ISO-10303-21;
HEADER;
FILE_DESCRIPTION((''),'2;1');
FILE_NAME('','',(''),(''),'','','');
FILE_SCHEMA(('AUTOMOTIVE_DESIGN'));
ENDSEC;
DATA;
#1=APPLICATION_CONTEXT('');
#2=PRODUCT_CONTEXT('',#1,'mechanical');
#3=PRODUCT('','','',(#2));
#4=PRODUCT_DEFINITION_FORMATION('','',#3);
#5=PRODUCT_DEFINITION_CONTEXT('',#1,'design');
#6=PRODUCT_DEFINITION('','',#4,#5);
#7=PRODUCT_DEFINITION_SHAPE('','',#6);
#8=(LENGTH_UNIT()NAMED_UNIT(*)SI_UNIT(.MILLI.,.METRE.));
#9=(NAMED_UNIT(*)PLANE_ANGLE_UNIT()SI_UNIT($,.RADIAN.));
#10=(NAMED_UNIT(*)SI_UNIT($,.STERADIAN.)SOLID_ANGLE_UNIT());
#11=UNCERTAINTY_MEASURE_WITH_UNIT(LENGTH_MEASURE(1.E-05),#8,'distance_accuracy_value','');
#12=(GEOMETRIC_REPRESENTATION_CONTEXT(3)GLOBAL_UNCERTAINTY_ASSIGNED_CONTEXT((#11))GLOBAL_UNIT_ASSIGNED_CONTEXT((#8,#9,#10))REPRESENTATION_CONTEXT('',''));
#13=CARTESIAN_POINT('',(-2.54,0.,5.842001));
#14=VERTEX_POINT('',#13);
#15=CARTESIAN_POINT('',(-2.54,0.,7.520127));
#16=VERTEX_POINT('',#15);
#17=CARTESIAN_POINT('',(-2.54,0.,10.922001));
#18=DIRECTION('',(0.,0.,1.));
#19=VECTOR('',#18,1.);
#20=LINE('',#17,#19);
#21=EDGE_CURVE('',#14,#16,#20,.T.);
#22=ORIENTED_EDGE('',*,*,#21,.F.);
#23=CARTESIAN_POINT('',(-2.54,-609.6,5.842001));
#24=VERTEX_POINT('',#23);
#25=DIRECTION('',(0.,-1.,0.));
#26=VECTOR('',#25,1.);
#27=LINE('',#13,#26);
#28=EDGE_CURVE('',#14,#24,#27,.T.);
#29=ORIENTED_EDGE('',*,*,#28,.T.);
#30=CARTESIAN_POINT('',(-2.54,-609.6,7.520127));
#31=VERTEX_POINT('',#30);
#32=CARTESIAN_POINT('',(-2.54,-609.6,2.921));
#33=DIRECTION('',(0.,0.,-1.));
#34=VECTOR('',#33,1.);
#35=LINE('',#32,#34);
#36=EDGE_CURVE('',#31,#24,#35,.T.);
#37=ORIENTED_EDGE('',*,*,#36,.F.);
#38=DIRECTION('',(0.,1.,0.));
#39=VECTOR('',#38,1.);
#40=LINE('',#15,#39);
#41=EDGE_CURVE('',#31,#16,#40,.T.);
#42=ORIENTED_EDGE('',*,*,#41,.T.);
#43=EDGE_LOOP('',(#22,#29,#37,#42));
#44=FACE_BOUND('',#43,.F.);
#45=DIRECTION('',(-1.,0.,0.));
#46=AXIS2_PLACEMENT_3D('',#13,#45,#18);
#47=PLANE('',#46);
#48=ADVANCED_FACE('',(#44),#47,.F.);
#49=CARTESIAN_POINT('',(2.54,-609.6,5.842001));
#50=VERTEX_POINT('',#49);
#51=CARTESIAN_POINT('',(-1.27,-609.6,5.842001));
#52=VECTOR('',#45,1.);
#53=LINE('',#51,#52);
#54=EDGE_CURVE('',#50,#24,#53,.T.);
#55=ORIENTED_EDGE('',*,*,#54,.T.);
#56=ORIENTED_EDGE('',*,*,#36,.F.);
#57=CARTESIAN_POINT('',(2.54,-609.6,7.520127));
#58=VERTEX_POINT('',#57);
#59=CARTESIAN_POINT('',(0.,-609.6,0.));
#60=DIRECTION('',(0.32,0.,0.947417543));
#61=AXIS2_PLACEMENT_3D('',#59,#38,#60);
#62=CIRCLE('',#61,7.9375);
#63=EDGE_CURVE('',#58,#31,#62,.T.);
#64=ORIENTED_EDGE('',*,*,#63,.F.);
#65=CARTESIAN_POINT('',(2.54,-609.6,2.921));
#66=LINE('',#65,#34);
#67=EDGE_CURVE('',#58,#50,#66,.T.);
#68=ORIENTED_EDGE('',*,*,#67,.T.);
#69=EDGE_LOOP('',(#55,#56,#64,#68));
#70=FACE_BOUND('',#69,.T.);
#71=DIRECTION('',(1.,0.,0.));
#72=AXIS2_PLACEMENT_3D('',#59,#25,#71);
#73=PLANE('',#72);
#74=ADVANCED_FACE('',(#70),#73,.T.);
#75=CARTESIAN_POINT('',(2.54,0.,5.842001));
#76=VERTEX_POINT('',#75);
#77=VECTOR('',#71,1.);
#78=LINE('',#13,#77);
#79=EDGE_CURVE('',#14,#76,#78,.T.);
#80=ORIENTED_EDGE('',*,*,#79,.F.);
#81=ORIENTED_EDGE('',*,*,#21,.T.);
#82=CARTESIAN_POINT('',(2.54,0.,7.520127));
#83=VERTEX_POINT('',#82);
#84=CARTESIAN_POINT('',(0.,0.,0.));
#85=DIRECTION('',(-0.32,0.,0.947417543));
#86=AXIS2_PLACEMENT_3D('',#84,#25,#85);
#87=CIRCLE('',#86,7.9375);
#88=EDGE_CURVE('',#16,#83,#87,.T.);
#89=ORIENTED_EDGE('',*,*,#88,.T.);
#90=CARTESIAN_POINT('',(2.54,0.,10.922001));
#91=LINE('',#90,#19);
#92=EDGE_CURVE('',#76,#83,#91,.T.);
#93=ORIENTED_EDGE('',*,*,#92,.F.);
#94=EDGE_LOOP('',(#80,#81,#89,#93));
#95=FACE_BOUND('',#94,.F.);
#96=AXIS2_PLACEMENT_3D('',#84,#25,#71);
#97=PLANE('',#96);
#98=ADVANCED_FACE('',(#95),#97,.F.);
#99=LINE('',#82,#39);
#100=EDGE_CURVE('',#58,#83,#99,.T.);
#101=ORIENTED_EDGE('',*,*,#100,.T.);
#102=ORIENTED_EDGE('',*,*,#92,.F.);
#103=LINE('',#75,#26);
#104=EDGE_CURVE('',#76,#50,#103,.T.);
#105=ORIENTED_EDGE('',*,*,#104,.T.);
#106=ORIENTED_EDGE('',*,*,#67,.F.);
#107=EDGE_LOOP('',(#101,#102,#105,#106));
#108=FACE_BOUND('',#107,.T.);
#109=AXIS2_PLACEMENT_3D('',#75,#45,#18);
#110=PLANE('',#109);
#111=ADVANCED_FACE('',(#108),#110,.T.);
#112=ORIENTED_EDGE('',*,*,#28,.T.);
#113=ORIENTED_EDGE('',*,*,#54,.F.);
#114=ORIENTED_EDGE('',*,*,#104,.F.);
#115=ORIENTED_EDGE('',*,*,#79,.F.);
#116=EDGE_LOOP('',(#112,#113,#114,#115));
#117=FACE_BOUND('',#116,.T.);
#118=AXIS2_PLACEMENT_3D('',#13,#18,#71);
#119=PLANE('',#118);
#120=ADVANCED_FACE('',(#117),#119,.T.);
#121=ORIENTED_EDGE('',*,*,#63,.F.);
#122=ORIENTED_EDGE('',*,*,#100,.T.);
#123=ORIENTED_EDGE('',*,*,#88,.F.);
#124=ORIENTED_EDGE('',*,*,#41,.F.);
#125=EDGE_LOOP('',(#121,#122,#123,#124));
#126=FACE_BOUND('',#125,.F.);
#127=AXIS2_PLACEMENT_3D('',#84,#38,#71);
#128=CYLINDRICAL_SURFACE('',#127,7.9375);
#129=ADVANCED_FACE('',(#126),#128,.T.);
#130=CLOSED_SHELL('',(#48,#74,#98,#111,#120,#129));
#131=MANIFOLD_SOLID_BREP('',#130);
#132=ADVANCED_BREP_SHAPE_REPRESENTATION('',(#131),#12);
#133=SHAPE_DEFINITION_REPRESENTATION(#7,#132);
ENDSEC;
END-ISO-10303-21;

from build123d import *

# Parameters (mm, degrees)
F0_R     = 7.9375
F1_DEPTH = 609.6
F2_W     = 2.54
F2_H     = 10.16
F3_DEPTH = 711.2


with BuildPart() as f1:
    # F0 (on Front) → F1 (new body)
    with BuildSketch(Plane.XZ):
        Circle(F0_R)
    extrude(amount=F1_DEPTH)

    # F2 (on Front) → F3 (cut)
    with BuildSketch(Plane.XZ):
        with Locations((1.27, 10.922001)):
            Rectangle(F2_W, F2_H)
        with Locations((-1.27, 10.922001)):
            Rectangle(F2_W, F2_H)
    extrude(amount=F3_DEPTH, mode=Mode.SUBTRACT)


solid = f1.part
